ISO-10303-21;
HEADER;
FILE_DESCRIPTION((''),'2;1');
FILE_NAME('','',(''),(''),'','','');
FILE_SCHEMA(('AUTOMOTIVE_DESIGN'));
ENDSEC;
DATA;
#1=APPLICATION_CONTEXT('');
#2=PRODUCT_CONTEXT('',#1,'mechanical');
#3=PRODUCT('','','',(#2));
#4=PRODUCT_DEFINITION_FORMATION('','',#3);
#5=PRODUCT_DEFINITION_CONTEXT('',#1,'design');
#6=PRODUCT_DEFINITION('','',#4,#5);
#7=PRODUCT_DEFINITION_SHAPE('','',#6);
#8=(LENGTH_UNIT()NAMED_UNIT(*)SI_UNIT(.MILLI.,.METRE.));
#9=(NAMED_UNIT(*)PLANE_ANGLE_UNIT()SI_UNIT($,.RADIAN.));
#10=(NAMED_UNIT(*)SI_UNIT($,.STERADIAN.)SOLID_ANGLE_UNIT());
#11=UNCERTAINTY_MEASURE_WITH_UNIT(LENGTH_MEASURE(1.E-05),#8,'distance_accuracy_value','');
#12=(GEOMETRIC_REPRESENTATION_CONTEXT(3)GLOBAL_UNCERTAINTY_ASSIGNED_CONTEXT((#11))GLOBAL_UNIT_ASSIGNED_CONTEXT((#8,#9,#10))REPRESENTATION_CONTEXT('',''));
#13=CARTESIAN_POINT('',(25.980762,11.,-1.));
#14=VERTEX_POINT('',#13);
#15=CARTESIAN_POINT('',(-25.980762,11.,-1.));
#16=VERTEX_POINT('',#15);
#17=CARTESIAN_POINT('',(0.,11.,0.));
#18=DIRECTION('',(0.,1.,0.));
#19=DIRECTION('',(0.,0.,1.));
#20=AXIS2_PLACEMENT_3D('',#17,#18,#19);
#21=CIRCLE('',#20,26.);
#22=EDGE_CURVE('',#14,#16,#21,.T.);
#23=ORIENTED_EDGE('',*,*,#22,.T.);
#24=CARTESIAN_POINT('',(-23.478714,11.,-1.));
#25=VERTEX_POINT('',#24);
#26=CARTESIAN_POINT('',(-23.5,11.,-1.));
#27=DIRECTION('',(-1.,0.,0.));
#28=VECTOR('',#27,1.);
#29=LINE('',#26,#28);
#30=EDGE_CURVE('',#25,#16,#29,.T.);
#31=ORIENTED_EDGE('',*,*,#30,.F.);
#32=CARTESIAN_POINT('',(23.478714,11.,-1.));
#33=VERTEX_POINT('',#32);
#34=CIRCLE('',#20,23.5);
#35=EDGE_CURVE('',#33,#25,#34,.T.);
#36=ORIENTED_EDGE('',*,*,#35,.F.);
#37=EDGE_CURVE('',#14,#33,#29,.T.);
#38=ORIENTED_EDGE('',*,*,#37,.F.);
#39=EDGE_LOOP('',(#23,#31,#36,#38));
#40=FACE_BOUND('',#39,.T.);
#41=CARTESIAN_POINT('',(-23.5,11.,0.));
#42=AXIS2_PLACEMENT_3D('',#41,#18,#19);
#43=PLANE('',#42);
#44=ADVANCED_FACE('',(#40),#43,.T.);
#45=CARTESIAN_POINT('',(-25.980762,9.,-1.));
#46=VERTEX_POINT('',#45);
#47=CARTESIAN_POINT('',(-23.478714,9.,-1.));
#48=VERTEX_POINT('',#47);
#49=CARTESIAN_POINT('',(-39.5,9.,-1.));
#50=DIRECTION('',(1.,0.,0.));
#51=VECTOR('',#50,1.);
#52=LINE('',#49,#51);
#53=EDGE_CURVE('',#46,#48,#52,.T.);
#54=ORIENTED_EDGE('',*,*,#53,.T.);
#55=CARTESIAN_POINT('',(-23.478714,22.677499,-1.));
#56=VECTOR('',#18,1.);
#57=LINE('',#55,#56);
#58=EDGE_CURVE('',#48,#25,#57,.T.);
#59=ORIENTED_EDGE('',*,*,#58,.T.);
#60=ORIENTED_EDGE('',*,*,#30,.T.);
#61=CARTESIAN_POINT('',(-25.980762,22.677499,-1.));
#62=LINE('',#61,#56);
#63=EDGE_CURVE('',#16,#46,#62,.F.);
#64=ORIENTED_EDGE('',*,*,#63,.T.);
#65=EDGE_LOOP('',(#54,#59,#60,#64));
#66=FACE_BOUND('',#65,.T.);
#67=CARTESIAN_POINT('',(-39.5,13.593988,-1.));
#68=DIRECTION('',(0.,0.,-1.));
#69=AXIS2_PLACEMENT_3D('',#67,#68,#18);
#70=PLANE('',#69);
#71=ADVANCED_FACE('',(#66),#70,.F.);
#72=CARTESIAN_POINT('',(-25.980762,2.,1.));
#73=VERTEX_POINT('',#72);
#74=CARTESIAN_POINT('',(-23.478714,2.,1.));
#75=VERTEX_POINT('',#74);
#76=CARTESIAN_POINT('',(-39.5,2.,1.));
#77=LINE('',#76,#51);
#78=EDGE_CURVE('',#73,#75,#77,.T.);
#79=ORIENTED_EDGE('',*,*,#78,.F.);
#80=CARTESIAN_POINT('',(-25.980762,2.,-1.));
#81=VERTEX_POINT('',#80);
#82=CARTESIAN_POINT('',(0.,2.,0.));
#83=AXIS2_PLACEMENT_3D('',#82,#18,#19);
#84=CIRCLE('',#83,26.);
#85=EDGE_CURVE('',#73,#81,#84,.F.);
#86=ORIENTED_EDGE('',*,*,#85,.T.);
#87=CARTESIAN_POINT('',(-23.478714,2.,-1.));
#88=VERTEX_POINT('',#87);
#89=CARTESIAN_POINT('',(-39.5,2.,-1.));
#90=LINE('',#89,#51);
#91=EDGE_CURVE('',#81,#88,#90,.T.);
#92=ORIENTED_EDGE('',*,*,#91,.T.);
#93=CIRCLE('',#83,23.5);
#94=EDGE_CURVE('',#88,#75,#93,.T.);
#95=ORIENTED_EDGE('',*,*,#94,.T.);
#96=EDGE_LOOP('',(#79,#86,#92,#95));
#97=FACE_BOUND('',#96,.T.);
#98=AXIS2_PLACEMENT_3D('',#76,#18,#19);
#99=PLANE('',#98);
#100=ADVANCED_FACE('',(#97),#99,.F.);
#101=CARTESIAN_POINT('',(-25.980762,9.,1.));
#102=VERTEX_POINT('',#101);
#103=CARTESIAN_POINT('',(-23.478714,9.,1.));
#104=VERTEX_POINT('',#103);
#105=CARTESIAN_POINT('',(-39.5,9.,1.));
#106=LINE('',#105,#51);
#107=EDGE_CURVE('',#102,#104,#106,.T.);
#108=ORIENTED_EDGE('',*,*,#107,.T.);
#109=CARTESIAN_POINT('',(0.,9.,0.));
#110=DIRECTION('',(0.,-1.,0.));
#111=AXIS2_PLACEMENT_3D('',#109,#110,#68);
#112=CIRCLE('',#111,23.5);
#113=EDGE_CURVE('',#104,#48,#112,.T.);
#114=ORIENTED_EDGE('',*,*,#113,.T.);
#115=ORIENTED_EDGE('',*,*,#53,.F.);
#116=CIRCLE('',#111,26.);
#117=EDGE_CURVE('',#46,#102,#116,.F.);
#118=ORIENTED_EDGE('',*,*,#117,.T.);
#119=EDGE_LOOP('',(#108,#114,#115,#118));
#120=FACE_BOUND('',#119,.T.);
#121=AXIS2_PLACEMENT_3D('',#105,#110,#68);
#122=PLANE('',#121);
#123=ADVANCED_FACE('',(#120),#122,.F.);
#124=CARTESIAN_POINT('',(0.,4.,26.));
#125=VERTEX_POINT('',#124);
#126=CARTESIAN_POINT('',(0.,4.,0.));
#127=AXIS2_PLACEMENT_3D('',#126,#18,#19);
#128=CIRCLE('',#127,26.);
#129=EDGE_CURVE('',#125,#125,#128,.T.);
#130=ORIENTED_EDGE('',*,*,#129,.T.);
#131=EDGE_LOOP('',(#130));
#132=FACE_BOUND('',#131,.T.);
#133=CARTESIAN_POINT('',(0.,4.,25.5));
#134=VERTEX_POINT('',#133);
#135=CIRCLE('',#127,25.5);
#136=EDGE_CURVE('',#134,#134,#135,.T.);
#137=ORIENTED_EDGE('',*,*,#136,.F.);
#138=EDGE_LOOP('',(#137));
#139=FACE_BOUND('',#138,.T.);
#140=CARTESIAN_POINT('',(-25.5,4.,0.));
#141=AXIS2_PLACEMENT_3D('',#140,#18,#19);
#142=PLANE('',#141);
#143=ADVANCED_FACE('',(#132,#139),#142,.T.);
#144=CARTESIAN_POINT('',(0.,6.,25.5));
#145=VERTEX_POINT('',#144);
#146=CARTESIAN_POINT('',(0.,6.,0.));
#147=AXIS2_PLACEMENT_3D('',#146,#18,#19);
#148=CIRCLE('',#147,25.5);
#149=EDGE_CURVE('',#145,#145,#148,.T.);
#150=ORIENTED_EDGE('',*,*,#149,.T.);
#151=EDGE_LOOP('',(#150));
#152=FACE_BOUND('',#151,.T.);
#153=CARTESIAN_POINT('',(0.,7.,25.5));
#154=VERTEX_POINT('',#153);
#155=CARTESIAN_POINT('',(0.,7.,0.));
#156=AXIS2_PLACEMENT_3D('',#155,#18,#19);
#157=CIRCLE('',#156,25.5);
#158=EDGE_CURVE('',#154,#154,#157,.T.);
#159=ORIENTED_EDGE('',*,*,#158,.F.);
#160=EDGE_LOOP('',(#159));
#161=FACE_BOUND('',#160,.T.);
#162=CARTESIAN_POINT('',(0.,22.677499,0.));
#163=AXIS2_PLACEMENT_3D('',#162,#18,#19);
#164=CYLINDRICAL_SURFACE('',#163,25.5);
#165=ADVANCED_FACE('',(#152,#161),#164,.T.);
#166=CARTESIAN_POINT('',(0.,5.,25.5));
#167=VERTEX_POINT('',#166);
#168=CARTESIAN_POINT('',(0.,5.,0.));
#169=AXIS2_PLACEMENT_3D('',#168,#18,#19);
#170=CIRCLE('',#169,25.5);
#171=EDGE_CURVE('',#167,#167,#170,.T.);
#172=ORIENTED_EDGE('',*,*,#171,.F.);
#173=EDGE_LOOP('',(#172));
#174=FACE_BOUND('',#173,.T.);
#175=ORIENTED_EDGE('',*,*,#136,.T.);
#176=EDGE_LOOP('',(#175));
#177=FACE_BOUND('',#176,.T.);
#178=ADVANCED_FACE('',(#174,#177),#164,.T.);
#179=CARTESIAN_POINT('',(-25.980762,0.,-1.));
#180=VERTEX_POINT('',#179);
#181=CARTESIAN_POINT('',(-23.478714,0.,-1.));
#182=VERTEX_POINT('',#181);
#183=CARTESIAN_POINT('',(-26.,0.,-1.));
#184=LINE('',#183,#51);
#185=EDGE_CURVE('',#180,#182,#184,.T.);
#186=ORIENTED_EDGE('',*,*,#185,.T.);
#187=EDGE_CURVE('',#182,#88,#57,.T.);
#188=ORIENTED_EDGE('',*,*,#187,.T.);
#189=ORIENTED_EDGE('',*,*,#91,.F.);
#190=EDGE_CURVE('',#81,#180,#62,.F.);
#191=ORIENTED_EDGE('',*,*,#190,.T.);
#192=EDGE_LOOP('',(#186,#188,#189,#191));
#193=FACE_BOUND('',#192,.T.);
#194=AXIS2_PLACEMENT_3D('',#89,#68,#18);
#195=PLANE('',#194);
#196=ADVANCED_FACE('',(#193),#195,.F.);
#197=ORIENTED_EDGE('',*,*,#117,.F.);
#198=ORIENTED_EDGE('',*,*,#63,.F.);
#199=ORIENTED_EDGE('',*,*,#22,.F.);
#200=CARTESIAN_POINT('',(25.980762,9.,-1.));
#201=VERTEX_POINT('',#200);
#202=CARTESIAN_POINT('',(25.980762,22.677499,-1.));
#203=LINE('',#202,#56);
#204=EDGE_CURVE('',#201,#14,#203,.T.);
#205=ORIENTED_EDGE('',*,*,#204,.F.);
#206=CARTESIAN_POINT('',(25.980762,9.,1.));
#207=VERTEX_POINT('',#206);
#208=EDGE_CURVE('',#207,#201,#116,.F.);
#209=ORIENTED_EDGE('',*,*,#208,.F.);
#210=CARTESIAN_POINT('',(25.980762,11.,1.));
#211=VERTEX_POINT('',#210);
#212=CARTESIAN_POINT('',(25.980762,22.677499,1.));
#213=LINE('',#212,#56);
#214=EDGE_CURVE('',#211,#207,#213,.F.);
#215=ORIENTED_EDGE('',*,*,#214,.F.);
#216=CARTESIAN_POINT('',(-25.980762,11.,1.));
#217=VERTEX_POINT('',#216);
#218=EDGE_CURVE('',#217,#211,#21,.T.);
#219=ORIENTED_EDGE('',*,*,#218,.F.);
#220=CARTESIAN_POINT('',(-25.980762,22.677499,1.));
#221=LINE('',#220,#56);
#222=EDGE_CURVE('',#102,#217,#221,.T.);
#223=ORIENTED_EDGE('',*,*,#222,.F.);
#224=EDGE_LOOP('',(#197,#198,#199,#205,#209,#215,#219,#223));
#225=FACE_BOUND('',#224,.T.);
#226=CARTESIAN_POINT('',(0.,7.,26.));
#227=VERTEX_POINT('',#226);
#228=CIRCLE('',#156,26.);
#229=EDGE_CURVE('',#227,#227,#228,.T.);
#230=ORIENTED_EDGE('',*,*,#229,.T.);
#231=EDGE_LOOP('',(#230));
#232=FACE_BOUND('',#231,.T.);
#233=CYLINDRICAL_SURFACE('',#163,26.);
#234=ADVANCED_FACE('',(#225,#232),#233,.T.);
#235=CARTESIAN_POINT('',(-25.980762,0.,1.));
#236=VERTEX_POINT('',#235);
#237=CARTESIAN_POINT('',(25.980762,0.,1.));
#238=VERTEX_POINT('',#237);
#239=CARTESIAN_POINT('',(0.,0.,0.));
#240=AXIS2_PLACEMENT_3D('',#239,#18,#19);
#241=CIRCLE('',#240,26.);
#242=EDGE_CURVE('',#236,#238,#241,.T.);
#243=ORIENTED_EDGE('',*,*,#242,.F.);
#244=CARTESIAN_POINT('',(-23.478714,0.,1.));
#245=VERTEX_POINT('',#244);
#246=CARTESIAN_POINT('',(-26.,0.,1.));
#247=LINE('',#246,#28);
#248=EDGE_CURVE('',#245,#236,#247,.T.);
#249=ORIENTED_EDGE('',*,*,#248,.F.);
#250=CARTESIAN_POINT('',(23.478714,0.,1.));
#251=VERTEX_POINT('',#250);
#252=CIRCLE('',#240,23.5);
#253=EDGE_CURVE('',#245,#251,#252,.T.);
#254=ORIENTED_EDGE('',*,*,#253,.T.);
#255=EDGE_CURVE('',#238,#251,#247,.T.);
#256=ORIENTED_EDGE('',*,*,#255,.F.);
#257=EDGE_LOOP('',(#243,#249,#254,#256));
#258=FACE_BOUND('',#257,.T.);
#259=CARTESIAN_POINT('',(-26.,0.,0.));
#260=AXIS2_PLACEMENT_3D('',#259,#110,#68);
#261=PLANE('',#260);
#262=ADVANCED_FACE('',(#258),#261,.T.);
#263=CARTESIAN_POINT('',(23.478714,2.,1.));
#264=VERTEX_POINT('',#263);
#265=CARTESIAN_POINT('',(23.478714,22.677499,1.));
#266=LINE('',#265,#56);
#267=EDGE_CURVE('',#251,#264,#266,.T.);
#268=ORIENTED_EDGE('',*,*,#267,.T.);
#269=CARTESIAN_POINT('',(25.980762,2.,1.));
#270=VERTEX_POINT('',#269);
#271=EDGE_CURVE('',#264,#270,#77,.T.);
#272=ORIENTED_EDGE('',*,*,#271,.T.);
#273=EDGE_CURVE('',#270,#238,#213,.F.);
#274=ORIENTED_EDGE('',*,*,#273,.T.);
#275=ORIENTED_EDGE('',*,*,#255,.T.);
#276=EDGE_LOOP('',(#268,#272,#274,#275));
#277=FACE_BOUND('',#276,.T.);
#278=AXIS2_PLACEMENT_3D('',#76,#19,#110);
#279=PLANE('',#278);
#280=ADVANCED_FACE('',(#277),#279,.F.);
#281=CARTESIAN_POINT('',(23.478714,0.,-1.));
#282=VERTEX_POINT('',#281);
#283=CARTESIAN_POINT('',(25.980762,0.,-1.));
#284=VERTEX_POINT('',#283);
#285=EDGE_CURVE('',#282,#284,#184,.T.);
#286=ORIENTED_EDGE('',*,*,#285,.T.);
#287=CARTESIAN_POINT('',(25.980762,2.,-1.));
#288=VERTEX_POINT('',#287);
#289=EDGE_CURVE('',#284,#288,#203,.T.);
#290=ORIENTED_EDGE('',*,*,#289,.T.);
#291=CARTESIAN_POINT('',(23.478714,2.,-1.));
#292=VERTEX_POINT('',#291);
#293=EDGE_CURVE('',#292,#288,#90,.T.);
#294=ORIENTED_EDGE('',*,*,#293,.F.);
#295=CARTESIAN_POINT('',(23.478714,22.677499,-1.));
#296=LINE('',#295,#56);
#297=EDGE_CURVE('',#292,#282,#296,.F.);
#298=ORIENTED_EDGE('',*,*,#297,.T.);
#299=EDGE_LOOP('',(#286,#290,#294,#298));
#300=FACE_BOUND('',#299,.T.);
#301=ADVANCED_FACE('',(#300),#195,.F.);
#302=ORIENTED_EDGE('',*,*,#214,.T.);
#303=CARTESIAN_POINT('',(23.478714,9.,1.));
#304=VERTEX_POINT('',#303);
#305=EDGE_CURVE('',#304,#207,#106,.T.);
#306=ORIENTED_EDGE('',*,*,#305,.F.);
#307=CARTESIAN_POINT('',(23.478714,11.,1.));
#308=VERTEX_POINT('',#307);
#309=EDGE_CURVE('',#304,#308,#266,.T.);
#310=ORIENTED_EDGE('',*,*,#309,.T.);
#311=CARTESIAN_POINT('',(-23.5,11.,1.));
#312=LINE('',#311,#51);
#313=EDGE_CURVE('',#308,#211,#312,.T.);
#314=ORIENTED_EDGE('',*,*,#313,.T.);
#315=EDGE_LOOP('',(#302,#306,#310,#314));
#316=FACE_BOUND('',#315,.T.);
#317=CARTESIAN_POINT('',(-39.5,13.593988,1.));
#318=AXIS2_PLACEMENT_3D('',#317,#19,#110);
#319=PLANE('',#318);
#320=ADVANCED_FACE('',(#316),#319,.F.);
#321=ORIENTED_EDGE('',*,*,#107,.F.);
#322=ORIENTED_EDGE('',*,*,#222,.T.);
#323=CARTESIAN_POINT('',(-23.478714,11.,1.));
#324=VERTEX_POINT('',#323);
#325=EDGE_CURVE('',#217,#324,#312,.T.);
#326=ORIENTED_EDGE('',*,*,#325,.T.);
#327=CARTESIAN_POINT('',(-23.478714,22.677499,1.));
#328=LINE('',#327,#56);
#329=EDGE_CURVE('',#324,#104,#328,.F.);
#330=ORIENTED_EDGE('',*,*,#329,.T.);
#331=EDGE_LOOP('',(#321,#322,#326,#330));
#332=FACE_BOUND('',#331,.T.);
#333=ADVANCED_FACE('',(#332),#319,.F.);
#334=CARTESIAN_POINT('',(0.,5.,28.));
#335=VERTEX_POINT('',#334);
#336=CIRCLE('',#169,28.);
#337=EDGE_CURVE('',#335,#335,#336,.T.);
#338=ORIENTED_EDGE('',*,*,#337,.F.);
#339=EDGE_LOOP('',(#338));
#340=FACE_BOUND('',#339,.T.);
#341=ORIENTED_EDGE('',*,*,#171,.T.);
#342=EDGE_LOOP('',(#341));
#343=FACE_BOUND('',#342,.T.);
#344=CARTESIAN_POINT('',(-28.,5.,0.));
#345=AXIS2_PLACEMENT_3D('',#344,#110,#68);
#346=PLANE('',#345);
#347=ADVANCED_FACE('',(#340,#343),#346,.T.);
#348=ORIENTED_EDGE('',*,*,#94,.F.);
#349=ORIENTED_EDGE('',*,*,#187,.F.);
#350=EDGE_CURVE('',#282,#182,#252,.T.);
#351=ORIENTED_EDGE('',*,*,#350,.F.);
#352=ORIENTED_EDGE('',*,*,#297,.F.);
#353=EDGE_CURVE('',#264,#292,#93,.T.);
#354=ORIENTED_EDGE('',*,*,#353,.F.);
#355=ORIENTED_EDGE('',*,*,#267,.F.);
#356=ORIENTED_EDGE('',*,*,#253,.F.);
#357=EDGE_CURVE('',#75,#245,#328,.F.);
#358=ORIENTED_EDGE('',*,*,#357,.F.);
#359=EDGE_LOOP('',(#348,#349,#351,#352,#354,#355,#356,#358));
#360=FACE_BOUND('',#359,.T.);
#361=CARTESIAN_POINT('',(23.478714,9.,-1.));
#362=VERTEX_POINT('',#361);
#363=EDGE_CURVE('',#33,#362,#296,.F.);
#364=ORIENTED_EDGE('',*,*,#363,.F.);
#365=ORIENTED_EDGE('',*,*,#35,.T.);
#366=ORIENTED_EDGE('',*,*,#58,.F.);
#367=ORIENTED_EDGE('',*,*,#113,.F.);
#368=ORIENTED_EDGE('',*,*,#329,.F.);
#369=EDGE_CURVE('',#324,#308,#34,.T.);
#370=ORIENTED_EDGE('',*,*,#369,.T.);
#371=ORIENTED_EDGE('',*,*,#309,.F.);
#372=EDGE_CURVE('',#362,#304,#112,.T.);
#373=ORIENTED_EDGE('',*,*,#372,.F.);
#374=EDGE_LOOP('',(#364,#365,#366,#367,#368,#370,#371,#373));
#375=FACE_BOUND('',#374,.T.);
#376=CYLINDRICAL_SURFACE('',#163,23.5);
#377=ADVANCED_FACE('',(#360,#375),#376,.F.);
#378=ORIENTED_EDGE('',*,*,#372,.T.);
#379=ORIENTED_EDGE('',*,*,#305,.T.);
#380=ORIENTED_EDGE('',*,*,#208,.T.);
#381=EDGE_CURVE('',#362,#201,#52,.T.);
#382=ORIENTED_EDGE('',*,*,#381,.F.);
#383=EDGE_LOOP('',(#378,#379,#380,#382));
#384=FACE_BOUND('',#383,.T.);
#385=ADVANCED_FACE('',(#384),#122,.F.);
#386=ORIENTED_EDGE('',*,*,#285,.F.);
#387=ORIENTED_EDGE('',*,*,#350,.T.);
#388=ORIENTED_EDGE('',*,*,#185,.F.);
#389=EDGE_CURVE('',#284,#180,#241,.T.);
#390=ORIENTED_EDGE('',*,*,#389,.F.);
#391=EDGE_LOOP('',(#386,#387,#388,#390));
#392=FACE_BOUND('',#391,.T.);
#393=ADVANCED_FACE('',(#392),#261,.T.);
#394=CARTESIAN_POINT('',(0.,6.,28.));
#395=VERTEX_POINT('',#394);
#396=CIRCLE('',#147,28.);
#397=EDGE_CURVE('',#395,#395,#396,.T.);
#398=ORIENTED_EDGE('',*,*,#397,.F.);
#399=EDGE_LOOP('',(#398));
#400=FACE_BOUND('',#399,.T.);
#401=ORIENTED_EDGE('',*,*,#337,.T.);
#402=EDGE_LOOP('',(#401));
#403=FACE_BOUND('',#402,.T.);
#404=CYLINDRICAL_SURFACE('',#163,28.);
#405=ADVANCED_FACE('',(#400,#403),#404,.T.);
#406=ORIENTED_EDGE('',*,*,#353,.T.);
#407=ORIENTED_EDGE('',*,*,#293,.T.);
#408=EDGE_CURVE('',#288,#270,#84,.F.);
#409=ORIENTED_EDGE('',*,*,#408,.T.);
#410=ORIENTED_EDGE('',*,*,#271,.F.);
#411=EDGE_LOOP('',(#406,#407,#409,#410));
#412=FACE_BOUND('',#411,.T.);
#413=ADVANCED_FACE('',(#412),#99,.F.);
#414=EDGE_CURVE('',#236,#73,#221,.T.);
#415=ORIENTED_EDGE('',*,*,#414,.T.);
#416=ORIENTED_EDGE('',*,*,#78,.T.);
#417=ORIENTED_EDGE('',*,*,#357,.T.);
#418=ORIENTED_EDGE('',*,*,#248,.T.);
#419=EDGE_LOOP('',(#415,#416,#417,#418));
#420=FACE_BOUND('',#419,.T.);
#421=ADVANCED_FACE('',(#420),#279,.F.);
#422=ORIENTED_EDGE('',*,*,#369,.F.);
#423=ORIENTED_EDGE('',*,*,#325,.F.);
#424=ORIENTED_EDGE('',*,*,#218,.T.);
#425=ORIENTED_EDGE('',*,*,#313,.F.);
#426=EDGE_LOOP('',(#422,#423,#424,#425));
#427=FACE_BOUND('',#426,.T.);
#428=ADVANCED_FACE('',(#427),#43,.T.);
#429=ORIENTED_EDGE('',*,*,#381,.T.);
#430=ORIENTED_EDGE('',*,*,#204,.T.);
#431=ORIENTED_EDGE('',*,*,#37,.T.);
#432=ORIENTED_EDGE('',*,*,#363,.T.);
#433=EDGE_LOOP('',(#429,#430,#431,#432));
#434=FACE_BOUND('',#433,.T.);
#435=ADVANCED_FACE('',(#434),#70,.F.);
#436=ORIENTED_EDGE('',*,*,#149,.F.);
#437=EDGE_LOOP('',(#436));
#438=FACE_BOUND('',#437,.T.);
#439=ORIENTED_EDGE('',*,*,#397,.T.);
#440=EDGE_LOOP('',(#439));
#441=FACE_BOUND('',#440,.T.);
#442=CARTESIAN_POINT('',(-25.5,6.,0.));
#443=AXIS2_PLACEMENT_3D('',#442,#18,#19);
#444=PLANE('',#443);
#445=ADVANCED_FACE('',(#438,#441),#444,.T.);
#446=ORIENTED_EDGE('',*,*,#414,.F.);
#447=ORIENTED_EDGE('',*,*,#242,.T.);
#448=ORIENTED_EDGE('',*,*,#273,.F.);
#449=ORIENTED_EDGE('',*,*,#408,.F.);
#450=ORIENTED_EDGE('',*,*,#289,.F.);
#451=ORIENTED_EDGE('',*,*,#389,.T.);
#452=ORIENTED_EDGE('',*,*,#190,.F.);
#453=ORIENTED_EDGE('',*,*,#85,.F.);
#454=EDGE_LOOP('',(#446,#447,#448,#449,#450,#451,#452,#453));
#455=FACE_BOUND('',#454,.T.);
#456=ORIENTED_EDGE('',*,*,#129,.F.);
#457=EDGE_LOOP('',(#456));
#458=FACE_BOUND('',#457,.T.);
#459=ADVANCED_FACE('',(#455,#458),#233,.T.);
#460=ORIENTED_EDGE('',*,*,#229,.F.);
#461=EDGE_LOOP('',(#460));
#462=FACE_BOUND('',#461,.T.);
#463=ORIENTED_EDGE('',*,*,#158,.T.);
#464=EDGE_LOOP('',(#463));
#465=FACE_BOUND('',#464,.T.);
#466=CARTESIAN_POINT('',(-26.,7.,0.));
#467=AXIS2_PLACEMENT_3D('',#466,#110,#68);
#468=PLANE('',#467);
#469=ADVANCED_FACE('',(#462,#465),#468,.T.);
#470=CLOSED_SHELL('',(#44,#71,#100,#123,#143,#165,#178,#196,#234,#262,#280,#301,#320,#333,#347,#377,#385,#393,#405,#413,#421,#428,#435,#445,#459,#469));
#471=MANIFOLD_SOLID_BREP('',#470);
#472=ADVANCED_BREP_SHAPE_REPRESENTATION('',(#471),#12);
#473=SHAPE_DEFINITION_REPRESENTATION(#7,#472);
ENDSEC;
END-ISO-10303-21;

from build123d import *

# Parameters (mm, degrees)
SKETCH_2_W          = 2
SKETCH_2_H          = 4.593987872
SKETCH_2_H_2        = 6.667892238
CUT_EXTRUDE_1_DEPTH = 39.5


with BuildPart() as part:
    # 草图1 → 旋转1 (revolve)
    with BuildSketch(Plane.XY, mode=Mode.PRIVATE) as revolve_1_sk:
        Polygon((-23.5, 11), (-26, 11), (-26, 7), (-25.5, 7), (-25.5, 6), (-28, 6), (-28, 5), (-25.5, 5), (-25.5, 4), (-26, 4), (-26, 0), (-23.5, 0), align=None)
    revolve(revolve_1_sk.sketch.rotate(Axis((0, 22.677499451, 0), (0, -1, 0)), 270), axis=Axis((0, 22.677499451, 0), (0, -1, 0)))  # turned: the seam where the file's is

    # 草图2 → 切除-拉伸1 (cut, symmetric)
    with BuildSketch(Plane(origin=(0, 0, 0), x_dir=(0, 0, -1), z_dir=(1, 0, 0))):
        with Locations((0, 11.296993936)):
            Rectangle(SKETCH_2_W, SKETCH_2_H)
        with Locations((0, -1.333946119)):
            Rectangle(SKETCH_2_W, SKETCH_2_H_2)
    extrude(amount=CUT_EXTRUDE_1_DEPTH, both=True, mode=Mode.SUBTRACT)


solid = part.part
